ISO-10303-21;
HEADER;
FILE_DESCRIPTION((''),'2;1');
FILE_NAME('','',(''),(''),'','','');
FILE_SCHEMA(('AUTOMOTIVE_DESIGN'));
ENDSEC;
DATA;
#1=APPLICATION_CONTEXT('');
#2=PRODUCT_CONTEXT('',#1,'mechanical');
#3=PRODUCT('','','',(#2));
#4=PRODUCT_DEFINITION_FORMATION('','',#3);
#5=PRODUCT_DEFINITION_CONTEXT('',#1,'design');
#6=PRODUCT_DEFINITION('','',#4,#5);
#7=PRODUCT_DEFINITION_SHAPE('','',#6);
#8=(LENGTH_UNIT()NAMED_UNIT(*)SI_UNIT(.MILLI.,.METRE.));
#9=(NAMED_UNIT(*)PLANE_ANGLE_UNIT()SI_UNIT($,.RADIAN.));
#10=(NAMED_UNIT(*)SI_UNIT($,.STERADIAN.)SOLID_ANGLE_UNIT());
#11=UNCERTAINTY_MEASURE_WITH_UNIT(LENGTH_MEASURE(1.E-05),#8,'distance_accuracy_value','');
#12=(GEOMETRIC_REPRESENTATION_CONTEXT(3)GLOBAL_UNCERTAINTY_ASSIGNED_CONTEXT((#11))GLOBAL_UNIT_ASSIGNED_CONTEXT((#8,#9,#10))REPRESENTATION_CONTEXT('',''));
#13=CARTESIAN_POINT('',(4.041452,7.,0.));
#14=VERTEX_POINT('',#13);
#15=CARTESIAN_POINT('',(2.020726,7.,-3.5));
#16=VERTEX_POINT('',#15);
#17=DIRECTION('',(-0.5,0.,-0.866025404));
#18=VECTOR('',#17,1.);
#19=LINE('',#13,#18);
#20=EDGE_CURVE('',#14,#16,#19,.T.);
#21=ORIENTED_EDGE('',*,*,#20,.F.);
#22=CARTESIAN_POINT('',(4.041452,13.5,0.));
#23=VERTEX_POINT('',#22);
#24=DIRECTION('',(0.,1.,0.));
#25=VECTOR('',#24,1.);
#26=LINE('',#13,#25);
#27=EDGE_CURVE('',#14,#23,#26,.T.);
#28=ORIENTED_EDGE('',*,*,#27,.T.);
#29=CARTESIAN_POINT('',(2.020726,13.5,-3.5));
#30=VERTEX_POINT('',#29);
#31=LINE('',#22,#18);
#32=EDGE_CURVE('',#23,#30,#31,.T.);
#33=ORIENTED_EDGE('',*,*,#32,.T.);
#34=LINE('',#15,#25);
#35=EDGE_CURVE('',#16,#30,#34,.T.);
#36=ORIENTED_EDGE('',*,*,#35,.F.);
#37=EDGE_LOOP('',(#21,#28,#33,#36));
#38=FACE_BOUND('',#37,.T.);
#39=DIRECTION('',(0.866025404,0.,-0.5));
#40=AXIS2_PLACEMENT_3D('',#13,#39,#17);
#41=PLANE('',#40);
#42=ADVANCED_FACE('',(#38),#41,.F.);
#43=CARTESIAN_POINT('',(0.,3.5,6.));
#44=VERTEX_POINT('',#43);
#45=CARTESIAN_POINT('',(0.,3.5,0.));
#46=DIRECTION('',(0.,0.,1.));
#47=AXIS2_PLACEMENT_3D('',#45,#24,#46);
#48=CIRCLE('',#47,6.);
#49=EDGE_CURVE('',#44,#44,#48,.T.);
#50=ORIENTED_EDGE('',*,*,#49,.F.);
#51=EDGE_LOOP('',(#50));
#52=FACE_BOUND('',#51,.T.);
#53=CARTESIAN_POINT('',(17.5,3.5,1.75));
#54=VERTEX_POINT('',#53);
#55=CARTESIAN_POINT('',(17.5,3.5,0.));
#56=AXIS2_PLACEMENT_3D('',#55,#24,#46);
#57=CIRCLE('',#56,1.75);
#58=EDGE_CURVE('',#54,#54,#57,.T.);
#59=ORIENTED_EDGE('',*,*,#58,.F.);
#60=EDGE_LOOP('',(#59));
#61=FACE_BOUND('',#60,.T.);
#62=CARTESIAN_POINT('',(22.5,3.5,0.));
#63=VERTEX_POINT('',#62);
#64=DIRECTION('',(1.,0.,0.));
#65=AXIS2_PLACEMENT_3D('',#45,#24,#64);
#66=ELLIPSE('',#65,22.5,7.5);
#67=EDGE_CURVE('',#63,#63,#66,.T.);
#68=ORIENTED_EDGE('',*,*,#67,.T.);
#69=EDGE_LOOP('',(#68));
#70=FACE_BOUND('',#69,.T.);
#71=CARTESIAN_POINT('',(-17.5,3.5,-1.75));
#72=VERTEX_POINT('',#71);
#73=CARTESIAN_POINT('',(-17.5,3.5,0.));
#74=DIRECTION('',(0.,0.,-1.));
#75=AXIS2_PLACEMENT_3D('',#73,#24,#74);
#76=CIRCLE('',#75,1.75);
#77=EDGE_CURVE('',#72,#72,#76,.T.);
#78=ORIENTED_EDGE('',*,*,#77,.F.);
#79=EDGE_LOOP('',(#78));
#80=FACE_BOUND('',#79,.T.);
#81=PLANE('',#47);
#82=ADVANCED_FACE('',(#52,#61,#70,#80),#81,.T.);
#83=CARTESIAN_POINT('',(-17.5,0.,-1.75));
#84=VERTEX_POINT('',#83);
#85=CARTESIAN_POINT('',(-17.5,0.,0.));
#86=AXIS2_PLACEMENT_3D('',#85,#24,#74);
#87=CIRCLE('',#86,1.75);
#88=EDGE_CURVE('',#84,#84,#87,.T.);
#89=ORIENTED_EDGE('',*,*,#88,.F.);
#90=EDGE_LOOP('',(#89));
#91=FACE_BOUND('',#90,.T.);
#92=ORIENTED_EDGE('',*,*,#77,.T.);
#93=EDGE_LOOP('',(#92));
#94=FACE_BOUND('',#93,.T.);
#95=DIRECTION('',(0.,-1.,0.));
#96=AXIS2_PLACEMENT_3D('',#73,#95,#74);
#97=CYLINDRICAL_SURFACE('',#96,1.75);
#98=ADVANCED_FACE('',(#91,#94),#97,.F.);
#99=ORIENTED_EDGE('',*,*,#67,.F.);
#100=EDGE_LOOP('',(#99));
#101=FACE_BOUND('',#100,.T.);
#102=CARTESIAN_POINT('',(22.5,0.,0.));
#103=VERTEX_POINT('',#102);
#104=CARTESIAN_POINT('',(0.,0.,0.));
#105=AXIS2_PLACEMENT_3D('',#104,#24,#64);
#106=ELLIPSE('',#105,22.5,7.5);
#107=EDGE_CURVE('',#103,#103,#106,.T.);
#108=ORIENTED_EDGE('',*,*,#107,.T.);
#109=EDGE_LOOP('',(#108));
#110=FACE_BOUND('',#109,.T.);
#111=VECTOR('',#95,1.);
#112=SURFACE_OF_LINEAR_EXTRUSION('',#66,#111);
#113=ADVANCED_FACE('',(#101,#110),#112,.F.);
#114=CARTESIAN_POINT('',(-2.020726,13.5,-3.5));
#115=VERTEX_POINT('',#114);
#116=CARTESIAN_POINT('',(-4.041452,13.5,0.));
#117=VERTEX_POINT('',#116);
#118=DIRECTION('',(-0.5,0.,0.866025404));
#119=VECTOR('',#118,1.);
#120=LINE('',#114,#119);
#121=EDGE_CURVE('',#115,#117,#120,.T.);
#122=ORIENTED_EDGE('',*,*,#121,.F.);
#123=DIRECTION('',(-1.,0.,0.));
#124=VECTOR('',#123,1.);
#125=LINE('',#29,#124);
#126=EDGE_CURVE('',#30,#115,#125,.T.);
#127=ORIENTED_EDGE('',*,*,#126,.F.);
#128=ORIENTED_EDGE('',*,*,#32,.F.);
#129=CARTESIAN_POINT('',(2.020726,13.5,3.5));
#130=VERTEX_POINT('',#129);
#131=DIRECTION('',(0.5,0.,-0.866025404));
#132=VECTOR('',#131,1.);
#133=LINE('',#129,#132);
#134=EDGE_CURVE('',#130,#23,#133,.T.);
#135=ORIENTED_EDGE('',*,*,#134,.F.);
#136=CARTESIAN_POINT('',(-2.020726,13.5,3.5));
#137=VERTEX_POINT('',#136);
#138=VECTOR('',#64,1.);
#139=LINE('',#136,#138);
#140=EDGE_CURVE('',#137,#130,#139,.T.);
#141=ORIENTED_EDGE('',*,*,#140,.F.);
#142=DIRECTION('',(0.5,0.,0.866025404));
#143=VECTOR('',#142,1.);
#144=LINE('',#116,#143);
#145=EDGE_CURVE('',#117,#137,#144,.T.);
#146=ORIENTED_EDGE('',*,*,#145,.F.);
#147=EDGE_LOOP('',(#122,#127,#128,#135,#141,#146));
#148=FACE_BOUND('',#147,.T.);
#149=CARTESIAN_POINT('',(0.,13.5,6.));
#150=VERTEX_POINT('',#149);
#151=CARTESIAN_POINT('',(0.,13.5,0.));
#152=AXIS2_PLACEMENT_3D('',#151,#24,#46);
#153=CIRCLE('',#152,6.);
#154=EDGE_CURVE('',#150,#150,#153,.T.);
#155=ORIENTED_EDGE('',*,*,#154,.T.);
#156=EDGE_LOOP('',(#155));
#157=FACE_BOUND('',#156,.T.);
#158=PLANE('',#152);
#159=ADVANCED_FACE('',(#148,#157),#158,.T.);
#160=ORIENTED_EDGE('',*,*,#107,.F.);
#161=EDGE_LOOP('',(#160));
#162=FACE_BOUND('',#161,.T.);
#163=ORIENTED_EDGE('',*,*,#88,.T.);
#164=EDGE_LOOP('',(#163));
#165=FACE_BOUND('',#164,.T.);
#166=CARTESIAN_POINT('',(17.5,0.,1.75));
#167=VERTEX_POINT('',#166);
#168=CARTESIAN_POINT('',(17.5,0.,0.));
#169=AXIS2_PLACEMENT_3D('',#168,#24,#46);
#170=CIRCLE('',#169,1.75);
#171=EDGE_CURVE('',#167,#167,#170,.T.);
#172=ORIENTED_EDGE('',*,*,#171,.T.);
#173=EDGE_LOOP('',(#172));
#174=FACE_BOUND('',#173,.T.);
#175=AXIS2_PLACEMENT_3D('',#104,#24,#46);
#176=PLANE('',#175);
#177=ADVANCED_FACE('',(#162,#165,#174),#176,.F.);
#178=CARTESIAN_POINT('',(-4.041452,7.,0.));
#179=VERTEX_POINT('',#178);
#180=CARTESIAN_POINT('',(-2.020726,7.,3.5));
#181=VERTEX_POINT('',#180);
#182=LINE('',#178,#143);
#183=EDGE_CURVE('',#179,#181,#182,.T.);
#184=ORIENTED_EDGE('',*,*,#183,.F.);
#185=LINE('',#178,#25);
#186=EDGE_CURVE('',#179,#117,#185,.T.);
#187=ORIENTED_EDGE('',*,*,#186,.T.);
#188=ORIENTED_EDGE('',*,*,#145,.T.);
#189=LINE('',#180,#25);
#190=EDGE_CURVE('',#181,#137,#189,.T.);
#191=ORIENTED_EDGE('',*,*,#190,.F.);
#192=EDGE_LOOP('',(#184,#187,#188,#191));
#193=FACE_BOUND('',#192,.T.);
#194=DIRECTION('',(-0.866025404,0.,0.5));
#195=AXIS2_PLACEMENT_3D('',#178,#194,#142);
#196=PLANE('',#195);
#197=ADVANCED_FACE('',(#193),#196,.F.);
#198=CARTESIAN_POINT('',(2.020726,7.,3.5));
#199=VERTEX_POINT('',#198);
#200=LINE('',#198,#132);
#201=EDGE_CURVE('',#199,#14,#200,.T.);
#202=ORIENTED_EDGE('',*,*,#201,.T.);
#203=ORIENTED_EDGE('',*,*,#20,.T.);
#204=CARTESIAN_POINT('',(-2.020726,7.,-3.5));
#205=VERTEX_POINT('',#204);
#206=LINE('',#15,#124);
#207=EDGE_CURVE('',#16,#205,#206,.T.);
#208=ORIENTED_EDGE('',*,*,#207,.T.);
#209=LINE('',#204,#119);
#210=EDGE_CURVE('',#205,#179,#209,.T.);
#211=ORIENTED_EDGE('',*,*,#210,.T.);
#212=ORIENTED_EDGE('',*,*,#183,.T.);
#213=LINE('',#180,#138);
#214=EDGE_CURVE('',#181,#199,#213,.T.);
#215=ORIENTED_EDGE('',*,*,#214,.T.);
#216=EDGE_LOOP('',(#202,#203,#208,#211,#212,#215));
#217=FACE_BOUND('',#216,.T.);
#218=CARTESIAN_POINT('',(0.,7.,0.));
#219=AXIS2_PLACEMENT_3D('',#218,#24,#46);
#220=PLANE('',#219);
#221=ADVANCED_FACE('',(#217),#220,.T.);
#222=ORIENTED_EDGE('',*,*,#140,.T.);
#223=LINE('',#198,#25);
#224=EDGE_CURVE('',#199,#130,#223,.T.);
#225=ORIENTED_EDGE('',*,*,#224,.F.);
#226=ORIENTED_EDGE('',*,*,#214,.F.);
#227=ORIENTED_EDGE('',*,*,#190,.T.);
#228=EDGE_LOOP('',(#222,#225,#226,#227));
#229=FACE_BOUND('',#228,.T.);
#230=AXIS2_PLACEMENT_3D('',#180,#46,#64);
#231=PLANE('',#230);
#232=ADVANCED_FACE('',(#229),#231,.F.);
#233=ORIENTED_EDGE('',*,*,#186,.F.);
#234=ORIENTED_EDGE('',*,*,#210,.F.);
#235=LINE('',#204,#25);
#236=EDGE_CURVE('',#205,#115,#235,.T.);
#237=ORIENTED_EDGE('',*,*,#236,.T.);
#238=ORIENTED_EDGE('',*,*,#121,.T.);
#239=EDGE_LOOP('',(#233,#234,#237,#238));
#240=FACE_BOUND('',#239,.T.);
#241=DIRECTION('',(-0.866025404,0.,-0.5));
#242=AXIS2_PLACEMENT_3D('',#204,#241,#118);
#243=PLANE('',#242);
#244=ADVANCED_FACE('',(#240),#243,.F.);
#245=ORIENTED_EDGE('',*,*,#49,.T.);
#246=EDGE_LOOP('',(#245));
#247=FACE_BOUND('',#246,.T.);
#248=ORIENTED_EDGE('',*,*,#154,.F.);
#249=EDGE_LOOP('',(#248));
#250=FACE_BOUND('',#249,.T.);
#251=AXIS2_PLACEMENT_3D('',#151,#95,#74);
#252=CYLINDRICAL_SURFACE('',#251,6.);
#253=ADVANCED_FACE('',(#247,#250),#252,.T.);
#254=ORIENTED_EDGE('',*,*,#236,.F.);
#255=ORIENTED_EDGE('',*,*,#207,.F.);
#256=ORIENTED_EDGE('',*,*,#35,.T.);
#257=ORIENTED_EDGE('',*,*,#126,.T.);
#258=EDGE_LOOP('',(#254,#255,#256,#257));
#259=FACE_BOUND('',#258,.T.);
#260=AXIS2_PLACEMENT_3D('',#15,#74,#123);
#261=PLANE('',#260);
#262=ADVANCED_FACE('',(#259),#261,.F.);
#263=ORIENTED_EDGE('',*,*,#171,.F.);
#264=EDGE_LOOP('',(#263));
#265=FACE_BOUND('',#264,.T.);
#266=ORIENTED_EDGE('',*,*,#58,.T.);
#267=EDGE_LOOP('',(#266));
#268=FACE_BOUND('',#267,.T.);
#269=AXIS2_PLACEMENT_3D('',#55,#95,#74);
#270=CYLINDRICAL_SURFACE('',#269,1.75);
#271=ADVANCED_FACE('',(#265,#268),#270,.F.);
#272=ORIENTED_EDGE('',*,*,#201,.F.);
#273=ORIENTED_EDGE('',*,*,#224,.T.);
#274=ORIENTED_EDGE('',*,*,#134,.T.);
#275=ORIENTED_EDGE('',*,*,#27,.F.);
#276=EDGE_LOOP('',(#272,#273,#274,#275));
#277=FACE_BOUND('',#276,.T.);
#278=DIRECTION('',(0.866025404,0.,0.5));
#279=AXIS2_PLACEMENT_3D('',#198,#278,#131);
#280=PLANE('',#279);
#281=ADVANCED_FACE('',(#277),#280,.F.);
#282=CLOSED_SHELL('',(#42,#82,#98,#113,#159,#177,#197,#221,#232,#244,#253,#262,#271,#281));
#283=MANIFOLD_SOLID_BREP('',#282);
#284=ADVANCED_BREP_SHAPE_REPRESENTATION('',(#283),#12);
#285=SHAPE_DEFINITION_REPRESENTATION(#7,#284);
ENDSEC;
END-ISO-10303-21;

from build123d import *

# Parameters (mm, degrees)
SKETCH2_RX          = 22.5
SKETCH2_RY          = 7.5
SKETCH2_R           = 1.75
BOSS_EXTRUDE3_DEPTH = 3.5
SKETCH3_R           = 6
BOSS_EXTRUDE4_DEPTH = 10
CUT_EXTRUDE1_DEPTH  = 6.5


with BuildPart() as part:
    # Sketch2 → Boss-Extrude3 (new body)
    with BuildSketch(Plane(origin=(0, 0, 0), x_dir=(1, 0, 0), z_dir=(0, 1, 0))):
        with Locations((0, 0)):
            Ellipse(SKETCH2_RX, SKETCH2_RY)
        with Locations(Location((17.5, 0, 0), (0, 0, 270))):
            Circle(SKETCH2_R, mode=Mode.SUBTRACT)
        with Locations(Location((-17.5, 0, 0), (0, 0, 90))):
            Circle(SKETCH2_R, mode=Mode.SUBTRACT)
    extrude(amount=BOSS_EXTRUDE3_DEPTH)

    # Sketch3 → Boss-Extrude4 (add)
    with BuildSketch(Plane(origin=(0, 3.5, 0), x_dir=(1, 0, 0), z_dir=(0, 1, 0))):
        with Locations(Location((0, 0, 0), (0, 0, 270))):
            Circle(SKETCH3_R)
    extrude(amount=BOSS_EXTRUDE4_DEPTH)

    # Sketch4 → Cut-Extrude1 (cut)
    with BuildSketch(Plane(origin=(0, 13.5, 0), x_dir=(1, 0, 0), z_dir=(0, 1, 0))):
        Polygon((2.020725942, -3.5), (4.041451884, 0), (2.020725942, 3.5), (-2.020725942, 3.5), (-4.041451884, 0), (-2.020725942, -3.5), align=None)
    extrude(amount=-CUT_EXTRUDE1_DEPTH, mode=Mode.SUBTRACT)


solid = part.part
